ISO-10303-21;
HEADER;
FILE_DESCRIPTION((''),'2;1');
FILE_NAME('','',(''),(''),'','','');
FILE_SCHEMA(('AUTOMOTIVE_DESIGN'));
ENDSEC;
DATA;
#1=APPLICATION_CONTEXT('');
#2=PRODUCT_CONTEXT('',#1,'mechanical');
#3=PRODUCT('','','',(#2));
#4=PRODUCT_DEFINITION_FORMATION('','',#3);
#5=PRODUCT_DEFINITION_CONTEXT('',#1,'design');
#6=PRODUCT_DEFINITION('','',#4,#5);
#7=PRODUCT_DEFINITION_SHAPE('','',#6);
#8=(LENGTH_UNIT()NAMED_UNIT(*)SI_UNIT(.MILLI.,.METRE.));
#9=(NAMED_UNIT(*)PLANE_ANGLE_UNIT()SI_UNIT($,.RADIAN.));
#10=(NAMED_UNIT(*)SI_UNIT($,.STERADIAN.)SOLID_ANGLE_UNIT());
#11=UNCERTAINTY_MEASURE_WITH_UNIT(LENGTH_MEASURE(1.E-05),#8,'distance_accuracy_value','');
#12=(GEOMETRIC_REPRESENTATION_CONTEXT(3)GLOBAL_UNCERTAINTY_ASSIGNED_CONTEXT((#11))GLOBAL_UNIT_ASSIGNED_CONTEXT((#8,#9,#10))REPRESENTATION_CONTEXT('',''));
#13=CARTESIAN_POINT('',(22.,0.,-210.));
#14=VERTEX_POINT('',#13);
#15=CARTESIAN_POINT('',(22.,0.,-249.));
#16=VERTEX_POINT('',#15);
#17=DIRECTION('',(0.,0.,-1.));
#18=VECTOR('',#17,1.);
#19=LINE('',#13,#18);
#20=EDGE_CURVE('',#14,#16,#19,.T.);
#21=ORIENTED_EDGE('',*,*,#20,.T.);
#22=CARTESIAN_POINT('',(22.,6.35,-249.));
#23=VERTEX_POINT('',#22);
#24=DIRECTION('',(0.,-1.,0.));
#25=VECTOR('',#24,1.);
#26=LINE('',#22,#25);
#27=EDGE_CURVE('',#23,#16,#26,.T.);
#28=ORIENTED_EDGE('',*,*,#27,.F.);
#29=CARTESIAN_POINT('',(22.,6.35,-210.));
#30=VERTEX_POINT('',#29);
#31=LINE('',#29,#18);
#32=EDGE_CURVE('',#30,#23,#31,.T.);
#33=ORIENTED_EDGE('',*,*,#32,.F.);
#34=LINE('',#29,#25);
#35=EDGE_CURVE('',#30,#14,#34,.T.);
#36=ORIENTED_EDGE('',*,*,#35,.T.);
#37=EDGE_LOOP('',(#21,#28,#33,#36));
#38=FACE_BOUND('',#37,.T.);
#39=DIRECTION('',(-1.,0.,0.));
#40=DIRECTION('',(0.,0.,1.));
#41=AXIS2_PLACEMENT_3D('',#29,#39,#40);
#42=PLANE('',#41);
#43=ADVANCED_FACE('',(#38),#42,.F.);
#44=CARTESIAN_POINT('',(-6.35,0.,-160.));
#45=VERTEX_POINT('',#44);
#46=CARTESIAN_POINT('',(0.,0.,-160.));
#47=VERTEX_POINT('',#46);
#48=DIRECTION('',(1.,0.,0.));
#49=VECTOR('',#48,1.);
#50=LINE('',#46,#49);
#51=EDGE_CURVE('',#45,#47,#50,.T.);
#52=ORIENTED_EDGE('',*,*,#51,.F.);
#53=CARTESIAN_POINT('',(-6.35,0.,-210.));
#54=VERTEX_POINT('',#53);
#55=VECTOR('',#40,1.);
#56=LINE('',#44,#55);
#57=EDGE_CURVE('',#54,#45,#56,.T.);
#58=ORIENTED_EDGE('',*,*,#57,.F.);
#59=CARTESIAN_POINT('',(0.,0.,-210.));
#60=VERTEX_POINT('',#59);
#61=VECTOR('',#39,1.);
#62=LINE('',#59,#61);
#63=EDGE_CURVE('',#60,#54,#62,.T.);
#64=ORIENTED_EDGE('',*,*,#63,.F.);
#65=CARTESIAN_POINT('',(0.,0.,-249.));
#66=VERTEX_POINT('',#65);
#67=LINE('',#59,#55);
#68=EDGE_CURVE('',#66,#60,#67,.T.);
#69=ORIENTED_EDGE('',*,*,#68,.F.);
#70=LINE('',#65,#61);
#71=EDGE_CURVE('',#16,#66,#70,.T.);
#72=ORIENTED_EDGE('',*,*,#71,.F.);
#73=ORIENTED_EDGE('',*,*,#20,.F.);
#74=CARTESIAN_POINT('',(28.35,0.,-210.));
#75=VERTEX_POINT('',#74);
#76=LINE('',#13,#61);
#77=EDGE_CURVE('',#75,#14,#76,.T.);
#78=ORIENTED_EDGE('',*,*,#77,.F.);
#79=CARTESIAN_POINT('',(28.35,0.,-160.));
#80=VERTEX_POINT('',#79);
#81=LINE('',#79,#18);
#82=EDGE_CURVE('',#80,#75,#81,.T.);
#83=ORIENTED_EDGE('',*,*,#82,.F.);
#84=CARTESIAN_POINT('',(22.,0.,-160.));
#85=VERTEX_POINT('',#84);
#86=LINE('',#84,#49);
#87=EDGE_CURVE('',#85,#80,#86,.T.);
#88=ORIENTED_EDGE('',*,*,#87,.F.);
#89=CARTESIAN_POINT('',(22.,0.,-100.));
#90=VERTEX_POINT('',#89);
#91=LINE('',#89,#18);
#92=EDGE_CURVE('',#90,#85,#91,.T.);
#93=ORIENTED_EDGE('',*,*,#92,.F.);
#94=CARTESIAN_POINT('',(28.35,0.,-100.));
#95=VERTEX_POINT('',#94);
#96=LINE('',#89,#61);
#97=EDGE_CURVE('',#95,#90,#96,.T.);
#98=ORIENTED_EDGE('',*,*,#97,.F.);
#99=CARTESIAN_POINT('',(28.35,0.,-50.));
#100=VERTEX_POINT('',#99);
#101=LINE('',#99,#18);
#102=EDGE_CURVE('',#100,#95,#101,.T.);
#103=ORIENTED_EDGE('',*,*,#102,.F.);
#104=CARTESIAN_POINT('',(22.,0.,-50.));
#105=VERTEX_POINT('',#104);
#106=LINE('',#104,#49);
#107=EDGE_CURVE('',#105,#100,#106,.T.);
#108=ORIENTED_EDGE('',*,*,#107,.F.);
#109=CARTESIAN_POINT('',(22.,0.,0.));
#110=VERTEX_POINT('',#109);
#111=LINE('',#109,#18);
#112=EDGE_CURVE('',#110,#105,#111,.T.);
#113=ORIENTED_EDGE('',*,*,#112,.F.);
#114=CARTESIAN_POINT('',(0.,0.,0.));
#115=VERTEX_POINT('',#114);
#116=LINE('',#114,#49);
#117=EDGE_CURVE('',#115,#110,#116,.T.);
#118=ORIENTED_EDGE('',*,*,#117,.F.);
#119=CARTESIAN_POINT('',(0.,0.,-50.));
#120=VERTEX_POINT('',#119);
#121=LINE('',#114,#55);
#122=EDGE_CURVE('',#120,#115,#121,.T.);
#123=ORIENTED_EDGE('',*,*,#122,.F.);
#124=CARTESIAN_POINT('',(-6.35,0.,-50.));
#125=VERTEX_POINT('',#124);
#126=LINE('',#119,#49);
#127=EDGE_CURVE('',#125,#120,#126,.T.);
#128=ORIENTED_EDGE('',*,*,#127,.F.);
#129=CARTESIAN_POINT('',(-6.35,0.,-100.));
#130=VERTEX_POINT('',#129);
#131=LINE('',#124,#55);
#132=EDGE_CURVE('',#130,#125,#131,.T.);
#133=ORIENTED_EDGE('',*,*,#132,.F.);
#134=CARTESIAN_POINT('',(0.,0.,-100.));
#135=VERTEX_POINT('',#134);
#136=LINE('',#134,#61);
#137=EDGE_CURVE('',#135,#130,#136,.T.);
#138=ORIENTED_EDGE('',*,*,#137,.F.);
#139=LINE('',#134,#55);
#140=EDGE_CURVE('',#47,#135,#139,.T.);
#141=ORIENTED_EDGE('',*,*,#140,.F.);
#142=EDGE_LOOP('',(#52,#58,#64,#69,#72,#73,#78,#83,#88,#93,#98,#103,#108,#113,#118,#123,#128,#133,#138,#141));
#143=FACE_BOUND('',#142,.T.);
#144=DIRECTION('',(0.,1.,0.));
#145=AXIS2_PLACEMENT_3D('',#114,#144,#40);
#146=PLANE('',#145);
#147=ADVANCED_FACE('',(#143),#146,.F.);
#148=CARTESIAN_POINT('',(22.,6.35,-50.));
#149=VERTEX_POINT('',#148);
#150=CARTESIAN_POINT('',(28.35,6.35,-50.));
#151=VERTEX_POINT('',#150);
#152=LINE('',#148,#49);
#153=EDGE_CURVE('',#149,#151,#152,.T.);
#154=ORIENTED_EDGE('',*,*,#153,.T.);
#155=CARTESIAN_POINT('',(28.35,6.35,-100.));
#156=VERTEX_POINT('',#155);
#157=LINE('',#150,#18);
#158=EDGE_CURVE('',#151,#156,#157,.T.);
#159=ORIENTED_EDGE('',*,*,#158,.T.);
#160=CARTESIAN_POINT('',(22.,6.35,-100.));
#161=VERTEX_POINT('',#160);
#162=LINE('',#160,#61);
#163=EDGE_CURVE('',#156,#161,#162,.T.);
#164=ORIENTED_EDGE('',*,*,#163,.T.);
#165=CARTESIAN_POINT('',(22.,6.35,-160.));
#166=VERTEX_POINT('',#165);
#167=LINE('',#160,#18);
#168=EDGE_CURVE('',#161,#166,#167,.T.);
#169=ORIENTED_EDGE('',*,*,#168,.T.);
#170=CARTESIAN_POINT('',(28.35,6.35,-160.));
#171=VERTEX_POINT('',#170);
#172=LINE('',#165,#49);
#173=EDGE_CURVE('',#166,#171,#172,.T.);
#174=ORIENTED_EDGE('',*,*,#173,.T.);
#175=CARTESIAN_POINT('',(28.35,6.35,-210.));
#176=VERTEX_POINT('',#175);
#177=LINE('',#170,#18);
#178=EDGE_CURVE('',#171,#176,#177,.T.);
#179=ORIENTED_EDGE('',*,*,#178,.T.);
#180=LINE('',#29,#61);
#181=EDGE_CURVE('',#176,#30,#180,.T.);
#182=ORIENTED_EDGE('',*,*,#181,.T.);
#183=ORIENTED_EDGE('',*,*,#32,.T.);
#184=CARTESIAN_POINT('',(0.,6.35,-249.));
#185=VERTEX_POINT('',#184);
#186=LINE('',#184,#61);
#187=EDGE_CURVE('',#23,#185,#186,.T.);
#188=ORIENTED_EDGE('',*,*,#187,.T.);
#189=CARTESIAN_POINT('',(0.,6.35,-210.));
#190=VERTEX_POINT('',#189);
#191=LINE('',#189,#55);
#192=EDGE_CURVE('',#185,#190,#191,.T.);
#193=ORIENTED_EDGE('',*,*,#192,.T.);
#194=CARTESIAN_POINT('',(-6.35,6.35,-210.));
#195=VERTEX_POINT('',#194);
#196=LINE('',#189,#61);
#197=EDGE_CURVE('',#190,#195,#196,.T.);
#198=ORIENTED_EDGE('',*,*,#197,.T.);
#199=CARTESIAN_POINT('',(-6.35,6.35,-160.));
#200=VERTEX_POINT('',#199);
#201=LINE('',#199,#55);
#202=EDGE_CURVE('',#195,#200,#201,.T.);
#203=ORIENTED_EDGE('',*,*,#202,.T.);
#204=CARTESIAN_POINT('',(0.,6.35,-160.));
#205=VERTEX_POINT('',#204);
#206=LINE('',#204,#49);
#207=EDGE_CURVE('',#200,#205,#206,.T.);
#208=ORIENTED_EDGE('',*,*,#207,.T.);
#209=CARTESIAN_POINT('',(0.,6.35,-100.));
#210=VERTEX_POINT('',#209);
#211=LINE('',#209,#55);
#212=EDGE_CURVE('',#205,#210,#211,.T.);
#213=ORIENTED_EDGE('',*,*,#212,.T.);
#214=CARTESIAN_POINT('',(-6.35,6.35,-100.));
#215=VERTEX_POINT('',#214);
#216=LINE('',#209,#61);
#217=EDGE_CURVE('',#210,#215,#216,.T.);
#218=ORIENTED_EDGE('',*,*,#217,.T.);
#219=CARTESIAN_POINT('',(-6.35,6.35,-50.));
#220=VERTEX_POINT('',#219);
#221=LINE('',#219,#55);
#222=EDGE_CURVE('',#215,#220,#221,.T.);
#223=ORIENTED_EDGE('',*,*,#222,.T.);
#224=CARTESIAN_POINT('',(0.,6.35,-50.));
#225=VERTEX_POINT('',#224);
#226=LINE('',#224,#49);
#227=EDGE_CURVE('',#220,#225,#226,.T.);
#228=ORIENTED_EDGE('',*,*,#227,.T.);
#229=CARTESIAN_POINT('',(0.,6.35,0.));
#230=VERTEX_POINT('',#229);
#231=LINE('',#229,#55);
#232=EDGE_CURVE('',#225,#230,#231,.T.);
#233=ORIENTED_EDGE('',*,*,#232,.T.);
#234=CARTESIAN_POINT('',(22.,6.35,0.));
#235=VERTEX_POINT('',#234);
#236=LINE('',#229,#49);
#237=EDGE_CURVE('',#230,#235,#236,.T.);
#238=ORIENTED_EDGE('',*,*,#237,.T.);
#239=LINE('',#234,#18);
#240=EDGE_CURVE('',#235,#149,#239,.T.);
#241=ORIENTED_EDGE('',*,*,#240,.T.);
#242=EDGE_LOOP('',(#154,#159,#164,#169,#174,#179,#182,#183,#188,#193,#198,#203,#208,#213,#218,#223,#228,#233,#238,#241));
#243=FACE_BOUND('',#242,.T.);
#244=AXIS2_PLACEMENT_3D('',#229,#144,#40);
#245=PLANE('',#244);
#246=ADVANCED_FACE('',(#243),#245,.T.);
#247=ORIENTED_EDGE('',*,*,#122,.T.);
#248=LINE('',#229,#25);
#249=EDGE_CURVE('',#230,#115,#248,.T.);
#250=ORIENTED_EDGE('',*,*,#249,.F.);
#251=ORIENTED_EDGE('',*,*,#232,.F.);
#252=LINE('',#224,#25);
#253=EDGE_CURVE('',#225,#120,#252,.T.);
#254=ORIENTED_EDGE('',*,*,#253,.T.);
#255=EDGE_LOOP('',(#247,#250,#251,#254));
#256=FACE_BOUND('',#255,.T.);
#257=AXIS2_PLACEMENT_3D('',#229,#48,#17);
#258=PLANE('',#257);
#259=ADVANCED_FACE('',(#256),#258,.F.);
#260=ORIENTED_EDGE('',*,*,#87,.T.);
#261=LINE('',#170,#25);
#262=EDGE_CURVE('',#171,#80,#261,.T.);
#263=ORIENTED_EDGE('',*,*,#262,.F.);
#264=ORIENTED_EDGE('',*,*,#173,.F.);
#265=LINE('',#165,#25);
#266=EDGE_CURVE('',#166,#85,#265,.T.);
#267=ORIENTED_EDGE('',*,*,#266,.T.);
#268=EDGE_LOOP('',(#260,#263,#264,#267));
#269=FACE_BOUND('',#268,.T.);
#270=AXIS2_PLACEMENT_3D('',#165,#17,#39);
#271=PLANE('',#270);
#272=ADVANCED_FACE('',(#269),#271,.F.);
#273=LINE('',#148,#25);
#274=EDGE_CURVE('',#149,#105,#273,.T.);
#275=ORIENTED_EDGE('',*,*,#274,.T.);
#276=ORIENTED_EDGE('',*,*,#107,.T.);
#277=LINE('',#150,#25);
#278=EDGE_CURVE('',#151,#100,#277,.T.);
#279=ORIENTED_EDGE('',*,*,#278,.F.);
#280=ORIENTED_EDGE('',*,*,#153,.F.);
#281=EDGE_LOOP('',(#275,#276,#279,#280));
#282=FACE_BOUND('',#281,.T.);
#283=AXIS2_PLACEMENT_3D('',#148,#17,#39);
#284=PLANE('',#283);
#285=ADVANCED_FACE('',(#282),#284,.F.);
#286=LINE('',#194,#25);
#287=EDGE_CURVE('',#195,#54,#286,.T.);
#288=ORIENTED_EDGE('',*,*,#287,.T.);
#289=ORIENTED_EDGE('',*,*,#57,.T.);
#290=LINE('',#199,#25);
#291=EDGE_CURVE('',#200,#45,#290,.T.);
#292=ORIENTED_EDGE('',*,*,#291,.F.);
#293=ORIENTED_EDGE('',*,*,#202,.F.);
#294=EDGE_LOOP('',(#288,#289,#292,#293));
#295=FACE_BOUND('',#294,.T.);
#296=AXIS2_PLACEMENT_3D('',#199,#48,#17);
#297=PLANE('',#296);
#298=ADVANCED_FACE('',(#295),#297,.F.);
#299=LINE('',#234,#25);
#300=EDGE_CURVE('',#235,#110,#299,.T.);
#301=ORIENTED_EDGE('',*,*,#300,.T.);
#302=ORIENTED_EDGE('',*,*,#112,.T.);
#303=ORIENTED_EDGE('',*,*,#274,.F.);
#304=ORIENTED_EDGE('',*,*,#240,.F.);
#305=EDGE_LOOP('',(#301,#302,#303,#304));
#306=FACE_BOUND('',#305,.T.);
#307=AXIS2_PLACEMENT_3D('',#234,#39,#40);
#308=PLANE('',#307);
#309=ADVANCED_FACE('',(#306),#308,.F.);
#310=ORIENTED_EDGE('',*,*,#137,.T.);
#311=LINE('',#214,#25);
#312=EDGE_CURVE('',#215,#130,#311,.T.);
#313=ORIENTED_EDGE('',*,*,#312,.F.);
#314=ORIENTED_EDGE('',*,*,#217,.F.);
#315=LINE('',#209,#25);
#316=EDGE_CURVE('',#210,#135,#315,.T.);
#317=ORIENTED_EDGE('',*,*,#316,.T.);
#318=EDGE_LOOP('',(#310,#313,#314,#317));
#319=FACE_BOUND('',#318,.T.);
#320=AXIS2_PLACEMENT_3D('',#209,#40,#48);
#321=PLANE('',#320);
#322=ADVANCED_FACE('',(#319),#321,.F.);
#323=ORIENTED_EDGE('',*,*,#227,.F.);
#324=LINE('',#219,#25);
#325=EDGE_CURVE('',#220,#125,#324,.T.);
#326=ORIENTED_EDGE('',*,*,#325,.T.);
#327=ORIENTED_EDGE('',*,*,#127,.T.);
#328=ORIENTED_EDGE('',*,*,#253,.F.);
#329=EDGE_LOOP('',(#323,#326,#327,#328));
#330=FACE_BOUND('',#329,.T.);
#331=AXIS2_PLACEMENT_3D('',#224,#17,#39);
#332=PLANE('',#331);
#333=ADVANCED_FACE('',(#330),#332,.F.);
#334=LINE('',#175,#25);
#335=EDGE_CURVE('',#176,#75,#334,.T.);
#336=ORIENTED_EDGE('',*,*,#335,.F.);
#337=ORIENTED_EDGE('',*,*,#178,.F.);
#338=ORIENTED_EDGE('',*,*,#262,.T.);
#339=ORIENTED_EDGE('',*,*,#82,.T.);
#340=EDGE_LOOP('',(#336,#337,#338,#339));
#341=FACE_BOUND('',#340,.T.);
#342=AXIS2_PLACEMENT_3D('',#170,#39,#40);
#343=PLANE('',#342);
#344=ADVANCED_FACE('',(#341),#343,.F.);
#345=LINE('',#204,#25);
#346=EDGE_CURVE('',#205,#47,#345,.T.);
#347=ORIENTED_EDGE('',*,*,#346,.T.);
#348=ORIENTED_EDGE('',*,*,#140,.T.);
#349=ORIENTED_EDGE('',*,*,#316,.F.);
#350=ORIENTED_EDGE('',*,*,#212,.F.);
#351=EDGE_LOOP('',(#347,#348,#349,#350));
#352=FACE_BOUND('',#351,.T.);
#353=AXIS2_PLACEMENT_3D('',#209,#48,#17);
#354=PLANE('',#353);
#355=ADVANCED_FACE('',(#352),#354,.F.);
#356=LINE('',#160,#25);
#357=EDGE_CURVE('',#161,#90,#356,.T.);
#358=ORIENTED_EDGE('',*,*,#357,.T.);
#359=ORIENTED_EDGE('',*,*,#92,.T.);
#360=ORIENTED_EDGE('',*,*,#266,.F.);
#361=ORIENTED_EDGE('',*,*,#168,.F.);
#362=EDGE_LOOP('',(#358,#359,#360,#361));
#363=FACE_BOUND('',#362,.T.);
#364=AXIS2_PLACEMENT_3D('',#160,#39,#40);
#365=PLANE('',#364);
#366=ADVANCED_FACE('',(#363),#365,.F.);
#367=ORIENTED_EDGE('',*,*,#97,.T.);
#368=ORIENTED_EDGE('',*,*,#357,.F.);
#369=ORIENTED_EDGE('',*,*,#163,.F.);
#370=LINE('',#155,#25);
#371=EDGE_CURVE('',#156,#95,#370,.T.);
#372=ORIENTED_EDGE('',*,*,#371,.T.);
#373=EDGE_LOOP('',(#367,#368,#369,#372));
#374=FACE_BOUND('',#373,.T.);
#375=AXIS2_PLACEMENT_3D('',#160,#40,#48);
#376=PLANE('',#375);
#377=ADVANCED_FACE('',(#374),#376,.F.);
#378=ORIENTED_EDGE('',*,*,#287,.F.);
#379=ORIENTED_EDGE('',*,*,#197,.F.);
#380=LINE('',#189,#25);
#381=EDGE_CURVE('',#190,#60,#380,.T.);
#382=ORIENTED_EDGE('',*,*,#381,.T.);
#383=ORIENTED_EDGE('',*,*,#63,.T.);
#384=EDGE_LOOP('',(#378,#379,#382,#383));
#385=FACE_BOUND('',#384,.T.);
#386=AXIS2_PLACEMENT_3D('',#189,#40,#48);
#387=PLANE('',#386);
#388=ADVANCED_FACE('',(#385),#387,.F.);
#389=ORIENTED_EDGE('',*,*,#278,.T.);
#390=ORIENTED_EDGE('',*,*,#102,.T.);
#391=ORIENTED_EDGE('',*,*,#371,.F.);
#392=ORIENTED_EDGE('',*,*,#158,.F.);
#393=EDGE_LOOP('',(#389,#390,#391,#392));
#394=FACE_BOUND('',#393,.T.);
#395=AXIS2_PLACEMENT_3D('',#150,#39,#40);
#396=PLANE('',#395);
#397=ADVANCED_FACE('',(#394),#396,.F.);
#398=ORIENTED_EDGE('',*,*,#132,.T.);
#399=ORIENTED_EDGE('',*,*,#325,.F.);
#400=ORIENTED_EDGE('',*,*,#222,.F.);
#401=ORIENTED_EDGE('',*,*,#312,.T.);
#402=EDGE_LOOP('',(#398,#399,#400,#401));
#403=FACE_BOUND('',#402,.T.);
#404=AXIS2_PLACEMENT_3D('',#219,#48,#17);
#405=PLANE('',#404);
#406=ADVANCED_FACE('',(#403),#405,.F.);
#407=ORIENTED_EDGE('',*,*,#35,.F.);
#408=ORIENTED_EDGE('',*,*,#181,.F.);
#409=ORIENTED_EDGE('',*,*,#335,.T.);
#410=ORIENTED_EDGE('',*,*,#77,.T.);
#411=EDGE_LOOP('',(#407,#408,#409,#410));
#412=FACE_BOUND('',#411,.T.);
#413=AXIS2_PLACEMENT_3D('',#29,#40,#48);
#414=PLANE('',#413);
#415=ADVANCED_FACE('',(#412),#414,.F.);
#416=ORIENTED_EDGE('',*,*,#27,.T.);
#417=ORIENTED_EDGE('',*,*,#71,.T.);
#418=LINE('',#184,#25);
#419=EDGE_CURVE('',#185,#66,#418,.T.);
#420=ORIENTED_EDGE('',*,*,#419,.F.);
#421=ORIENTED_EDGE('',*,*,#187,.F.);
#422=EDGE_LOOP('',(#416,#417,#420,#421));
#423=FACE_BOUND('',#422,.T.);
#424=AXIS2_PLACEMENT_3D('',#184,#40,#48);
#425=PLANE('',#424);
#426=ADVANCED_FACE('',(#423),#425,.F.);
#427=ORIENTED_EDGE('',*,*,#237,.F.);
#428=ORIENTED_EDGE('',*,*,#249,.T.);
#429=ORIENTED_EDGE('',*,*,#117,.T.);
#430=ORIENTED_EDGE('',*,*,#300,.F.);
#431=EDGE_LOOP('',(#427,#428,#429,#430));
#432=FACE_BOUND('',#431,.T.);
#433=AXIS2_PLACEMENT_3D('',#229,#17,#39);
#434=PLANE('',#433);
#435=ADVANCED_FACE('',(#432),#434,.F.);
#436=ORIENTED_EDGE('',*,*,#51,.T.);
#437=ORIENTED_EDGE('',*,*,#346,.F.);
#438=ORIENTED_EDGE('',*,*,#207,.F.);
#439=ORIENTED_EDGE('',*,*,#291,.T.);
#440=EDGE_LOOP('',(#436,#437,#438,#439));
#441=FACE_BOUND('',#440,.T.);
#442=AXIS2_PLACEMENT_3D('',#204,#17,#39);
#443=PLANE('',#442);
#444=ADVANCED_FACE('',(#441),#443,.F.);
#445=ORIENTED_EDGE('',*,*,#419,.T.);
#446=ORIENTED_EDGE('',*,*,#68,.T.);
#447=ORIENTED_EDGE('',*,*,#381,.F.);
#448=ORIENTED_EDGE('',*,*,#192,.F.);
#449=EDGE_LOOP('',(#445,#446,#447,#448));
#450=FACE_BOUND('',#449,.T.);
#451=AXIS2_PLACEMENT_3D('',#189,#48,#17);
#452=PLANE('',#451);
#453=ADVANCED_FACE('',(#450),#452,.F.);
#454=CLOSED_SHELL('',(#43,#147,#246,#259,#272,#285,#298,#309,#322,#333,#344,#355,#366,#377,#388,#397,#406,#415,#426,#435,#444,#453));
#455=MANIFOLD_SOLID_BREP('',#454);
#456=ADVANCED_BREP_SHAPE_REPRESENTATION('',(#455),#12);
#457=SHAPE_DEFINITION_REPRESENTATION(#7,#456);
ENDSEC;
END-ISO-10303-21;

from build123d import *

# Parameters (mm, degrees)
BOSS_EXTRUDE1_DEPTH = 6.35


with BuildPart() as part:
    # Sketch1 → Boss-Extrude1 (new body)
    with BuildSketch(Plane(origin=(0, 0, 0), x_dir=(1, 0, 0), z_dir=(0, 1, 0))):
        Polygon((0, 0), (22, 0), (22, 50), (28.35, 50), (28.35, 100), (22, 100), (22, 160), (28.35, 160), (28.35, 210), (22, 210), (22, 249), (0, 249), (0, 210), (-6.35, 210), (-6.35, 160), (0, 160), (0, 100), (-6.35, 100), (-6.35, 50), (0, 50), align=None)
    extrude(amount=BOSS_EXTRUDE1_DEPTH)


solid = part.part
